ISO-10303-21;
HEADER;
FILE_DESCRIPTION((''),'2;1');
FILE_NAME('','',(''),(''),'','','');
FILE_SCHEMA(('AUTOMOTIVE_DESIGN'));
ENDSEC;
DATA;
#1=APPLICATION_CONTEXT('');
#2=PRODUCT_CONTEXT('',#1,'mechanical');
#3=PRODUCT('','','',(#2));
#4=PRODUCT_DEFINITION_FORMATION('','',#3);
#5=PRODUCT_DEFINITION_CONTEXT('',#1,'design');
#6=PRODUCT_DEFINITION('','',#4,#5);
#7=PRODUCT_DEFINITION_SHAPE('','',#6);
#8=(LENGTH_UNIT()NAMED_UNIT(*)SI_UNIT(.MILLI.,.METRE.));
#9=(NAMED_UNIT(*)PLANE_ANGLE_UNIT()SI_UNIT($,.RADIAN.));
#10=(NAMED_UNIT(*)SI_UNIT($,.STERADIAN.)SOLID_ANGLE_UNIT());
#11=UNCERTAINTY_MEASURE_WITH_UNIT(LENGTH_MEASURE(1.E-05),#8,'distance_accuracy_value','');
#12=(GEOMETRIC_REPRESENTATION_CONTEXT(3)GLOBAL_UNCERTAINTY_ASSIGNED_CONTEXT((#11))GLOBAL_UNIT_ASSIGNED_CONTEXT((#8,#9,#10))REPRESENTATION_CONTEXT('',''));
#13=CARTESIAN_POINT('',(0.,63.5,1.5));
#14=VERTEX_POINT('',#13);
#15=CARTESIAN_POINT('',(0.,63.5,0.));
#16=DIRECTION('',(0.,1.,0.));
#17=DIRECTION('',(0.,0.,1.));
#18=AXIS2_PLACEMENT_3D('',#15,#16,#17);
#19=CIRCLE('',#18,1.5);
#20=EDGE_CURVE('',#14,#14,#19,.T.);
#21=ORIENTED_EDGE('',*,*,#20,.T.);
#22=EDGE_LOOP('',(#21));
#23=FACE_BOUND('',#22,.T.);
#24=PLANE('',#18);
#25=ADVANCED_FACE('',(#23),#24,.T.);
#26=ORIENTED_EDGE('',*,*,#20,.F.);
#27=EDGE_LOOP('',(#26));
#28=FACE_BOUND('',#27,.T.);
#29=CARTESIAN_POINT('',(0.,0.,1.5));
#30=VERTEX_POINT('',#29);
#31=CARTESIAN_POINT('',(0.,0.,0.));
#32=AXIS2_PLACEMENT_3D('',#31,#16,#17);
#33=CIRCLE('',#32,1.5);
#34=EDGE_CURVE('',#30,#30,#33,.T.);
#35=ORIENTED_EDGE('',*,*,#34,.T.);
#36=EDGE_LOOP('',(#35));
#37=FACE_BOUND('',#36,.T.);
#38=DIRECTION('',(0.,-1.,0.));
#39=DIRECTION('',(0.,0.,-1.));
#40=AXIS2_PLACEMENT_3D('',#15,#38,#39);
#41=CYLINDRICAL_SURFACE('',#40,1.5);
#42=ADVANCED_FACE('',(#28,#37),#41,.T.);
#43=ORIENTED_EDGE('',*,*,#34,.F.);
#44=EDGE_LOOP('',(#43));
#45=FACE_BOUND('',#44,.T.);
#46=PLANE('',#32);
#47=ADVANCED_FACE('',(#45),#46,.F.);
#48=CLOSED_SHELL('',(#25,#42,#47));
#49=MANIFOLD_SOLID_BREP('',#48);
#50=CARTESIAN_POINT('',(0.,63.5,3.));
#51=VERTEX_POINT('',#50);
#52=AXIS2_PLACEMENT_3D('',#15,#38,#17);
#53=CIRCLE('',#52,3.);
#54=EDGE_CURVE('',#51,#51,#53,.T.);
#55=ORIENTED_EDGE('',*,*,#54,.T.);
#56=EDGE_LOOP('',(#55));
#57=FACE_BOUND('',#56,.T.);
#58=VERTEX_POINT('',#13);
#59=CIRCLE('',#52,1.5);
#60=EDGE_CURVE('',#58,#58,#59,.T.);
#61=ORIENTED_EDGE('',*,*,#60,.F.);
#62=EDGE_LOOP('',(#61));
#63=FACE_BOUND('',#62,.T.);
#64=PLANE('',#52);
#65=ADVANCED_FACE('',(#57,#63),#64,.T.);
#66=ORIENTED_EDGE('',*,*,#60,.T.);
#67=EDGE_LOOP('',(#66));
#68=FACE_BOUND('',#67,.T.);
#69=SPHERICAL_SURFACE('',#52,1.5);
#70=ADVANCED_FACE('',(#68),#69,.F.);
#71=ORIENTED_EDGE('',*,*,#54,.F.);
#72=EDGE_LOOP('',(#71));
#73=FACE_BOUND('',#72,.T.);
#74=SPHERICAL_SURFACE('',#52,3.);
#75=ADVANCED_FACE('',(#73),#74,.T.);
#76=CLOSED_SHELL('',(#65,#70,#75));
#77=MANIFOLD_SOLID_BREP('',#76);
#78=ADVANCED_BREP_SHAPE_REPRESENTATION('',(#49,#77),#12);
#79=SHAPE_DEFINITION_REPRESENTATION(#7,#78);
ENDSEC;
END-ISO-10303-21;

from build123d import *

# Parameters (mm, degrees)
SKETCH1_R           = 1.5
BOSS_EXTRUDE1_DEPTH = 63.5
REVOLVE1_ANGLE      = 180


with BuildPart() as part:
    # Sketch1 → Boss-Extrude1 (new body)
    with BuildSketch(Plane(origin=(0, 0, 0), x_dir=(1, 0, 0), z_dir=(0, 1, 0))):
        with Locations(Location((0, 0, 0), (0, 0, 270))):
            Circle(SKETCH1_R)
    extrude(amount=BOSS_EXTRUDE1_DEPTH)


with BuildPart() as body_2:
    # Sketch4 → Revolve1 (revolve)
    with BuildSketch(Plane(origin=(0, 63.5, 0), x_dir=(1, 0, 0), z_dir=(0, 1, 0))):
        with BuildLine():
            ThreePointArc((3, 0), (2.121320344, 2.121320344), (0, 3))
            Line((0, 3), (0, 1.5))
            ThreePointArc((0, 1.5), (1.060660172, 1.060660172), (1.5, 0))
            ThreePointArc((1.5, 0), (1.060660172, -1.060660172), (0, -1.5))
            Line((0, -1.5), (0, -3))
            ThreePointArc((0, -3), (2.121320344, -2.121320344), (3, 0))
        make_face()
    revolve(axis=Axis((0, 63.5, -3), (0, 0, 1)), revolution_arc=REVOLVE1_ANGLE)


solid = Compound([part.part, body_2.part])
